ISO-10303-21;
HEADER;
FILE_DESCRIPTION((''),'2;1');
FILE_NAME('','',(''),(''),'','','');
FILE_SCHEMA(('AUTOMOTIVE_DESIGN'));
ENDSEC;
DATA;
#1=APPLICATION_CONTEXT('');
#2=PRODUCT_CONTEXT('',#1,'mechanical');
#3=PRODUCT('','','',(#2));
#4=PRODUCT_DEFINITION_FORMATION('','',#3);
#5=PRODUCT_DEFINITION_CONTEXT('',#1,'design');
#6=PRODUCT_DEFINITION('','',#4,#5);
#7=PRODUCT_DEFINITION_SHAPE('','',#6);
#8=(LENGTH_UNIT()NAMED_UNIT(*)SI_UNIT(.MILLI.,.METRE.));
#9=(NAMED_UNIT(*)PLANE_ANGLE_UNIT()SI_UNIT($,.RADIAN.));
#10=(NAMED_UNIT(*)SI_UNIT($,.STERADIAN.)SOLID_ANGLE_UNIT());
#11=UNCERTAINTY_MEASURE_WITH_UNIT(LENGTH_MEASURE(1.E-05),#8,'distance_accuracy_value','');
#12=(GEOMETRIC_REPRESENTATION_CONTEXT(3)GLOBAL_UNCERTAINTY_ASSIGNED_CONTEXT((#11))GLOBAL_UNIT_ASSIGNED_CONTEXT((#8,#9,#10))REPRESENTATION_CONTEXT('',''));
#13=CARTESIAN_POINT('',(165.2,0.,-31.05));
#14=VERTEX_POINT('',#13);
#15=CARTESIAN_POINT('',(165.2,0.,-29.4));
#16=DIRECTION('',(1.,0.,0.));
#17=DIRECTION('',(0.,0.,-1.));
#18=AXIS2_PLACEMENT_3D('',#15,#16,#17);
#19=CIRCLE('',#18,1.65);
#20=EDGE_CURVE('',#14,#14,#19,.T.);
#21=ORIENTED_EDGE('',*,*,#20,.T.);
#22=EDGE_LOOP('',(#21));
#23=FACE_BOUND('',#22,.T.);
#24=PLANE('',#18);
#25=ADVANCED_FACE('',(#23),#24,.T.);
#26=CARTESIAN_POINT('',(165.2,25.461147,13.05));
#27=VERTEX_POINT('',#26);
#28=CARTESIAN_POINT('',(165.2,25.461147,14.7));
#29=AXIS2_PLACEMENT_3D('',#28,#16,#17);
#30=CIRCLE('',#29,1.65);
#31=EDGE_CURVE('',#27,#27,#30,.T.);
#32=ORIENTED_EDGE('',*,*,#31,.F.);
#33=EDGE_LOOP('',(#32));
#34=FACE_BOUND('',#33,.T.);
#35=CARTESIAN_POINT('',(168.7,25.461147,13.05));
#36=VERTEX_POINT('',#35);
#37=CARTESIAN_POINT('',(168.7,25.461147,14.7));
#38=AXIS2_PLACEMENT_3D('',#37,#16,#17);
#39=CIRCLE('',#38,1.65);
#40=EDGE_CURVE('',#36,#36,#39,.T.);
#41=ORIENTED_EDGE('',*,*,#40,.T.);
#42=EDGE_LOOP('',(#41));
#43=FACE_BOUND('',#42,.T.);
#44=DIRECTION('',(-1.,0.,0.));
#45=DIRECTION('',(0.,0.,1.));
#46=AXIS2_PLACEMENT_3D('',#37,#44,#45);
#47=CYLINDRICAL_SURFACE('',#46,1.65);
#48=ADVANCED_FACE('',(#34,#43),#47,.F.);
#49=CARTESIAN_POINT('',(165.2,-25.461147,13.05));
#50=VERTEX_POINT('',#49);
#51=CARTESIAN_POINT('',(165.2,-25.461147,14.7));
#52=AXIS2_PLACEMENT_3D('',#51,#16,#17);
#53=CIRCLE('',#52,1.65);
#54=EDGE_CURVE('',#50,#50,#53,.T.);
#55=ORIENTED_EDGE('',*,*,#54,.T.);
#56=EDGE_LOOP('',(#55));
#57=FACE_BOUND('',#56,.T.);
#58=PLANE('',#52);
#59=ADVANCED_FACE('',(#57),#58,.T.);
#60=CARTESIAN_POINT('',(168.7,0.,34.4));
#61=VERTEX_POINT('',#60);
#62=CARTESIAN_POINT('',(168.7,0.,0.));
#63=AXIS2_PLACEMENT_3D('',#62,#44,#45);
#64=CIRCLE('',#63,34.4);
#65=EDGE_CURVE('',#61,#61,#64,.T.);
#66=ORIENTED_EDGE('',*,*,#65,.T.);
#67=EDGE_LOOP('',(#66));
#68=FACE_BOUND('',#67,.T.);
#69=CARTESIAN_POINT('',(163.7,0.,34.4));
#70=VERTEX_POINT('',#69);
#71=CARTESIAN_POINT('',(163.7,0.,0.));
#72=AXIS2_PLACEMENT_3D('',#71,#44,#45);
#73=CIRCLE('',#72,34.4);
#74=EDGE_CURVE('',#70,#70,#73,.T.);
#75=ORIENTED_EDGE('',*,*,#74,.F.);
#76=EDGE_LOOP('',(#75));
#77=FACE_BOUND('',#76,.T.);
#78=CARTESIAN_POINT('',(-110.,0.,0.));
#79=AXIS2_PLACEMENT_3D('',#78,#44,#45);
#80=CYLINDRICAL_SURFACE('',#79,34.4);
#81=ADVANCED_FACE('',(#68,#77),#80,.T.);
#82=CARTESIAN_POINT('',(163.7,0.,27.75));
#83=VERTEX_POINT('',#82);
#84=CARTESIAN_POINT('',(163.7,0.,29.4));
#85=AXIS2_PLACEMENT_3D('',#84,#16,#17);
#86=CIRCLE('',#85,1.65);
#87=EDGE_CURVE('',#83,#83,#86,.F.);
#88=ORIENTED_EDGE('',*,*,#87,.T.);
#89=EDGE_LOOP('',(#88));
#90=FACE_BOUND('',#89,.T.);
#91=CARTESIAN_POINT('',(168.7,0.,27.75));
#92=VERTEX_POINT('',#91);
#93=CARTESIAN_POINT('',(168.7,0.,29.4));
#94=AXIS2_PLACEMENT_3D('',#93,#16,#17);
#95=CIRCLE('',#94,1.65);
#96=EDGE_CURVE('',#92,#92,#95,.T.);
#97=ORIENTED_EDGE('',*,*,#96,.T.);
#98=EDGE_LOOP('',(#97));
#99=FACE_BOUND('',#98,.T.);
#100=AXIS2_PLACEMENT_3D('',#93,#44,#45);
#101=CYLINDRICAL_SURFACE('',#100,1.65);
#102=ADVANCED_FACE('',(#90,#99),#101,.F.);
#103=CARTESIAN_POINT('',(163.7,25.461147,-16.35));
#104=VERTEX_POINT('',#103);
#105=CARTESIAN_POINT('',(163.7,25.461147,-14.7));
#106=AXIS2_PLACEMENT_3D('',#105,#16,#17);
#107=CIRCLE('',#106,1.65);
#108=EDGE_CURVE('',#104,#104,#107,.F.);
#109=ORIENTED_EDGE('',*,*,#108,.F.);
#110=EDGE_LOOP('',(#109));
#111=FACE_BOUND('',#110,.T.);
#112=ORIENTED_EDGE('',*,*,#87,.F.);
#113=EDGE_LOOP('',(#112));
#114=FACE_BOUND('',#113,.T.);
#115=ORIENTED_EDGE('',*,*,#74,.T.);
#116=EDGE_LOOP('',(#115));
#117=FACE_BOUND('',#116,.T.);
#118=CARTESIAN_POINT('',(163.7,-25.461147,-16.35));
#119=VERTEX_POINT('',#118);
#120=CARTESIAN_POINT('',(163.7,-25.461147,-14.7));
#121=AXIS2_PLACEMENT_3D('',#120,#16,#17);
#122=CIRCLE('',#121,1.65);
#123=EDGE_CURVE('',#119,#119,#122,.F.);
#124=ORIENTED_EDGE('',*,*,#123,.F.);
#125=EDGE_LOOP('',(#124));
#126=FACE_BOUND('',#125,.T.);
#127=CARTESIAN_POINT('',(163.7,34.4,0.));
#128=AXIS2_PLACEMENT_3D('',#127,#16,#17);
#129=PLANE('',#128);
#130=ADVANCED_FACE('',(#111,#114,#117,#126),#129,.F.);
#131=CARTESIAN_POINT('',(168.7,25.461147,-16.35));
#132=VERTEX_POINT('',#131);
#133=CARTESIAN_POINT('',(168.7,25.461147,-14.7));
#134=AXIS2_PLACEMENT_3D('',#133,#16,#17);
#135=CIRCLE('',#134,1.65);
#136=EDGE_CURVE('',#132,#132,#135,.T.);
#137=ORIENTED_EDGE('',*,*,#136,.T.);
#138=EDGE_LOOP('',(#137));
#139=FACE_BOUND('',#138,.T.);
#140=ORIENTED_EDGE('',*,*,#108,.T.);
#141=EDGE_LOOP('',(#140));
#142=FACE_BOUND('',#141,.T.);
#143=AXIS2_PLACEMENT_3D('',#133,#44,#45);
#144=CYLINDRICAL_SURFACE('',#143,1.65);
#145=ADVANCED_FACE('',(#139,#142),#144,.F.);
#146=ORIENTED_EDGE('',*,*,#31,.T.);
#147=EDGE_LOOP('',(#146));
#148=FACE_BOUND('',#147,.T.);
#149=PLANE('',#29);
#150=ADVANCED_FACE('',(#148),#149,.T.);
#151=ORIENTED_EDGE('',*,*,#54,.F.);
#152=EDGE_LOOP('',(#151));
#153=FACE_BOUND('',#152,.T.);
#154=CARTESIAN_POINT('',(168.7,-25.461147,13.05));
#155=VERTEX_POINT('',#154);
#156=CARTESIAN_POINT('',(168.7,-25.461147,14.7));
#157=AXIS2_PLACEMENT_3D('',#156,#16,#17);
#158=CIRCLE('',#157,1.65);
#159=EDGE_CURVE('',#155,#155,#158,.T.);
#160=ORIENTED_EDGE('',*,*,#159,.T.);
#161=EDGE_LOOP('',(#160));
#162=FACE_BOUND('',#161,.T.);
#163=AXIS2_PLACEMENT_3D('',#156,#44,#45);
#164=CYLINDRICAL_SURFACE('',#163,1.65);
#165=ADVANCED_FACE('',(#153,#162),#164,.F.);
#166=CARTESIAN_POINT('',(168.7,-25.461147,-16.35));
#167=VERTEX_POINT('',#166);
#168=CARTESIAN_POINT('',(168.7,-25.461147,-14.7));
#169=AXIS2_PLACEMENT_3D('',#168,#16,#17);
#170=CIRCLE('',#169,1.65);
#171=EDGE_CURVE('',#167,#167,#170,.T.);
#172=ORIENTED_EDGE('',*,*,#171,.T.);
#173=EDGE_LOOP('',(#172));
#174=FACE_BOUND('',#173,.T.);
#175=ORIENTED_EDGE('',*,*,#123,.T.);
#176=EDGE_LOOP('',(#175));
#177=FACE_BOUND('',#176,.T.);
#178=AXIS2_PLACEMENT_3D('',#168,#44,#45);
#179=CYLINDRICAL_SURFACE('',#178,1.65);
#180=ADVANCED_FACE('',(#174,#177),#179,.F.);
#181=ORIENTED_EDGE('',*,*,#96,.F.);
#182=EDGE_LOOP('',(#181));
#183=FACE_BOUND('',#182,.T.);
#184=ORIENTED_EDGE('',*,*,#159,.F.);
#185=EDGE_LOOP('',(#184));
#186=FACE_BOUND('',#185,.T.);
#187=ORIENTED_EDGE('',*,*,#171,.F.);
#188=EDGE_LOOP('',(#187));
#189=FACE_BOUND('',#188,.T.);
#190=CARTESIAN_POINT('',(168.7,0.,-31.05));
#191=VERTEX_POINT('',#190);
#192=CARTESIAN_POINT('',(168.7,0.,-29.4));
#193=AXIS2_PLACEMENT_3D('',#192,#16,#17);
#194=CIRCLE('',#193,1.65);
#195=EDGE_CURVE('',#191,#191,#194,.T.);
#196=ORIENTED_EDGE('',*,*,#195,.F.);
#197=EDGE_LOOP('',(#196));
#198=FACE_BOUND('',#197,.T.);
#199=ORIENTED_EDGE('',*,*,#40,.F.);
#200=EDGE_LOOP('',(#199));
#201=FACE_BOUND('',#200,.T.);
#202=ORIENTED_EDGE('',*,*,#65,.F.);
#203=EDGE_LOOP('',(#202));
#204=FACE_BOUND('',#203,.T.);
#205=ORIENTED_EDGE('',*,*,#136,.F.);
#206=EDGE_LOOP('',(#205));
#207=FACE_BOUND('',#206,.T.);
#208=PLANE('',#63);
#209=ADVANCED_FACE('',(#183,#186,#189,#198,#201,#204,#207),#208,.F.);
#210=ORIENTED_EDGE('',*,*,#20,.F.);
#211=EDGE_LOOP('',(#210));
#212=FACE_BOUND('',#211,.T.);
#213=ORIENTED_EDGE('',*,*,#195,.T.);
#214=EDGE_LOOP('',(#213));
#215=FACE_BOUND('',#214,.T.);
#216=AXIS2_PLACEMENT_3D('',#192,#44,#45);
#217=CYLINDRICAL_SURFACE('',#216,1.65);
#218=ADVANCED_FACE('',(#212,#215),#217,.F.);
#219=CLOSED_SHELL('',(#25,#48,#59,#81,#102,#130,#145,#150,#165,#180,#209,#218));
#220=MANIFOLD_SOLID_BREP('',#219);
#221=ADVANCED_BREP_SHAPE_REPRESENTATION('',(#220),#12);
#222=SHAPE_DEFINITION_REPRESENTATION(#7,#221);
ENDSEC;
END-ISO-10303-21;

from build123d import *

# Parameters (mm, degrees)
AXIAL_PROFILE_MM_W     = 5
AXIAL_PROFILE_MM_H     = 34.4
AXIAL_HOLES_DEPTH      = 176.574514096
AXIAL_HOLES_DEPTH_BACK = 176.574514096
SKETCH2_R              = 1.65
CUT_EXTRUDE2_START     = 165.2
SKETCH3_R              = 1.65
CUT_EXTRUDE2_DEPTH     = 3.5


with BuildPart() as part:
    # Axial profile (mm) → Full revolution (revolve)
    with BuildSketch(Plane.XY, mode=Mode.PRIVATE) as full_revolution_sk:
        with Locations((166.2, 17.2)):
            Rectangle(AXIAL_PROFILE_MM_W, AXIAL_PROFILE_MM_H)
    revolve(full_revolution_sk.sketch.rotate(Axis((-110, 0, 0), (1, 0, 0)), 90), axis=Axis((-110, 0, 0), (1, 0, 0)))

    # Sketch2 → Axial holes (cut, two sides: drawn at the far end of the back side and taken through both)
    with BuildSketch(Plane(origin=(0, 0, 0), x_dir=(0, 0, -1), z_dir=(1, 0, 0)).offset(-AXIAL_HOLES_DEPTH_BACK)):
        with Locations((-29.4, 0)):
            Circle(SKETCH2_R)
        with Locations((14.7, -25.461146871)):
            Circle(SKETCH2_R)
        with Locations((14.7, 25.461146871)):
            Circle(SKETCH2_R)
    extrude(amount=AXIAL_HOLES_DEPTH + AXIAL_HOLES_DEPTH_BACK, mode=Mode.SUBTRACT)

    # Sketch3 → Cut-Extrude2 (cut)
    with BuildSketch(Plane(origin=(0, 0, 0), x_dir=(0, 0, -1), z_dir=(1, 0, 0)).offset(CUT_EXTRUDE2_START)):
        with Locations((29.4, 0)):
            Circle(SKETCH3_R)
        with Locations((-14.7, 25.461146871)):
            Circle(SKETCH3_R)
        with Locations((-14.7, -25.461146871)):
            Circle(SKETCH3_R)
    extrude(amount=CUT_EXTRUDE2_DEPTH, mode=Mode.SUBTRACT)


solid = part.part
